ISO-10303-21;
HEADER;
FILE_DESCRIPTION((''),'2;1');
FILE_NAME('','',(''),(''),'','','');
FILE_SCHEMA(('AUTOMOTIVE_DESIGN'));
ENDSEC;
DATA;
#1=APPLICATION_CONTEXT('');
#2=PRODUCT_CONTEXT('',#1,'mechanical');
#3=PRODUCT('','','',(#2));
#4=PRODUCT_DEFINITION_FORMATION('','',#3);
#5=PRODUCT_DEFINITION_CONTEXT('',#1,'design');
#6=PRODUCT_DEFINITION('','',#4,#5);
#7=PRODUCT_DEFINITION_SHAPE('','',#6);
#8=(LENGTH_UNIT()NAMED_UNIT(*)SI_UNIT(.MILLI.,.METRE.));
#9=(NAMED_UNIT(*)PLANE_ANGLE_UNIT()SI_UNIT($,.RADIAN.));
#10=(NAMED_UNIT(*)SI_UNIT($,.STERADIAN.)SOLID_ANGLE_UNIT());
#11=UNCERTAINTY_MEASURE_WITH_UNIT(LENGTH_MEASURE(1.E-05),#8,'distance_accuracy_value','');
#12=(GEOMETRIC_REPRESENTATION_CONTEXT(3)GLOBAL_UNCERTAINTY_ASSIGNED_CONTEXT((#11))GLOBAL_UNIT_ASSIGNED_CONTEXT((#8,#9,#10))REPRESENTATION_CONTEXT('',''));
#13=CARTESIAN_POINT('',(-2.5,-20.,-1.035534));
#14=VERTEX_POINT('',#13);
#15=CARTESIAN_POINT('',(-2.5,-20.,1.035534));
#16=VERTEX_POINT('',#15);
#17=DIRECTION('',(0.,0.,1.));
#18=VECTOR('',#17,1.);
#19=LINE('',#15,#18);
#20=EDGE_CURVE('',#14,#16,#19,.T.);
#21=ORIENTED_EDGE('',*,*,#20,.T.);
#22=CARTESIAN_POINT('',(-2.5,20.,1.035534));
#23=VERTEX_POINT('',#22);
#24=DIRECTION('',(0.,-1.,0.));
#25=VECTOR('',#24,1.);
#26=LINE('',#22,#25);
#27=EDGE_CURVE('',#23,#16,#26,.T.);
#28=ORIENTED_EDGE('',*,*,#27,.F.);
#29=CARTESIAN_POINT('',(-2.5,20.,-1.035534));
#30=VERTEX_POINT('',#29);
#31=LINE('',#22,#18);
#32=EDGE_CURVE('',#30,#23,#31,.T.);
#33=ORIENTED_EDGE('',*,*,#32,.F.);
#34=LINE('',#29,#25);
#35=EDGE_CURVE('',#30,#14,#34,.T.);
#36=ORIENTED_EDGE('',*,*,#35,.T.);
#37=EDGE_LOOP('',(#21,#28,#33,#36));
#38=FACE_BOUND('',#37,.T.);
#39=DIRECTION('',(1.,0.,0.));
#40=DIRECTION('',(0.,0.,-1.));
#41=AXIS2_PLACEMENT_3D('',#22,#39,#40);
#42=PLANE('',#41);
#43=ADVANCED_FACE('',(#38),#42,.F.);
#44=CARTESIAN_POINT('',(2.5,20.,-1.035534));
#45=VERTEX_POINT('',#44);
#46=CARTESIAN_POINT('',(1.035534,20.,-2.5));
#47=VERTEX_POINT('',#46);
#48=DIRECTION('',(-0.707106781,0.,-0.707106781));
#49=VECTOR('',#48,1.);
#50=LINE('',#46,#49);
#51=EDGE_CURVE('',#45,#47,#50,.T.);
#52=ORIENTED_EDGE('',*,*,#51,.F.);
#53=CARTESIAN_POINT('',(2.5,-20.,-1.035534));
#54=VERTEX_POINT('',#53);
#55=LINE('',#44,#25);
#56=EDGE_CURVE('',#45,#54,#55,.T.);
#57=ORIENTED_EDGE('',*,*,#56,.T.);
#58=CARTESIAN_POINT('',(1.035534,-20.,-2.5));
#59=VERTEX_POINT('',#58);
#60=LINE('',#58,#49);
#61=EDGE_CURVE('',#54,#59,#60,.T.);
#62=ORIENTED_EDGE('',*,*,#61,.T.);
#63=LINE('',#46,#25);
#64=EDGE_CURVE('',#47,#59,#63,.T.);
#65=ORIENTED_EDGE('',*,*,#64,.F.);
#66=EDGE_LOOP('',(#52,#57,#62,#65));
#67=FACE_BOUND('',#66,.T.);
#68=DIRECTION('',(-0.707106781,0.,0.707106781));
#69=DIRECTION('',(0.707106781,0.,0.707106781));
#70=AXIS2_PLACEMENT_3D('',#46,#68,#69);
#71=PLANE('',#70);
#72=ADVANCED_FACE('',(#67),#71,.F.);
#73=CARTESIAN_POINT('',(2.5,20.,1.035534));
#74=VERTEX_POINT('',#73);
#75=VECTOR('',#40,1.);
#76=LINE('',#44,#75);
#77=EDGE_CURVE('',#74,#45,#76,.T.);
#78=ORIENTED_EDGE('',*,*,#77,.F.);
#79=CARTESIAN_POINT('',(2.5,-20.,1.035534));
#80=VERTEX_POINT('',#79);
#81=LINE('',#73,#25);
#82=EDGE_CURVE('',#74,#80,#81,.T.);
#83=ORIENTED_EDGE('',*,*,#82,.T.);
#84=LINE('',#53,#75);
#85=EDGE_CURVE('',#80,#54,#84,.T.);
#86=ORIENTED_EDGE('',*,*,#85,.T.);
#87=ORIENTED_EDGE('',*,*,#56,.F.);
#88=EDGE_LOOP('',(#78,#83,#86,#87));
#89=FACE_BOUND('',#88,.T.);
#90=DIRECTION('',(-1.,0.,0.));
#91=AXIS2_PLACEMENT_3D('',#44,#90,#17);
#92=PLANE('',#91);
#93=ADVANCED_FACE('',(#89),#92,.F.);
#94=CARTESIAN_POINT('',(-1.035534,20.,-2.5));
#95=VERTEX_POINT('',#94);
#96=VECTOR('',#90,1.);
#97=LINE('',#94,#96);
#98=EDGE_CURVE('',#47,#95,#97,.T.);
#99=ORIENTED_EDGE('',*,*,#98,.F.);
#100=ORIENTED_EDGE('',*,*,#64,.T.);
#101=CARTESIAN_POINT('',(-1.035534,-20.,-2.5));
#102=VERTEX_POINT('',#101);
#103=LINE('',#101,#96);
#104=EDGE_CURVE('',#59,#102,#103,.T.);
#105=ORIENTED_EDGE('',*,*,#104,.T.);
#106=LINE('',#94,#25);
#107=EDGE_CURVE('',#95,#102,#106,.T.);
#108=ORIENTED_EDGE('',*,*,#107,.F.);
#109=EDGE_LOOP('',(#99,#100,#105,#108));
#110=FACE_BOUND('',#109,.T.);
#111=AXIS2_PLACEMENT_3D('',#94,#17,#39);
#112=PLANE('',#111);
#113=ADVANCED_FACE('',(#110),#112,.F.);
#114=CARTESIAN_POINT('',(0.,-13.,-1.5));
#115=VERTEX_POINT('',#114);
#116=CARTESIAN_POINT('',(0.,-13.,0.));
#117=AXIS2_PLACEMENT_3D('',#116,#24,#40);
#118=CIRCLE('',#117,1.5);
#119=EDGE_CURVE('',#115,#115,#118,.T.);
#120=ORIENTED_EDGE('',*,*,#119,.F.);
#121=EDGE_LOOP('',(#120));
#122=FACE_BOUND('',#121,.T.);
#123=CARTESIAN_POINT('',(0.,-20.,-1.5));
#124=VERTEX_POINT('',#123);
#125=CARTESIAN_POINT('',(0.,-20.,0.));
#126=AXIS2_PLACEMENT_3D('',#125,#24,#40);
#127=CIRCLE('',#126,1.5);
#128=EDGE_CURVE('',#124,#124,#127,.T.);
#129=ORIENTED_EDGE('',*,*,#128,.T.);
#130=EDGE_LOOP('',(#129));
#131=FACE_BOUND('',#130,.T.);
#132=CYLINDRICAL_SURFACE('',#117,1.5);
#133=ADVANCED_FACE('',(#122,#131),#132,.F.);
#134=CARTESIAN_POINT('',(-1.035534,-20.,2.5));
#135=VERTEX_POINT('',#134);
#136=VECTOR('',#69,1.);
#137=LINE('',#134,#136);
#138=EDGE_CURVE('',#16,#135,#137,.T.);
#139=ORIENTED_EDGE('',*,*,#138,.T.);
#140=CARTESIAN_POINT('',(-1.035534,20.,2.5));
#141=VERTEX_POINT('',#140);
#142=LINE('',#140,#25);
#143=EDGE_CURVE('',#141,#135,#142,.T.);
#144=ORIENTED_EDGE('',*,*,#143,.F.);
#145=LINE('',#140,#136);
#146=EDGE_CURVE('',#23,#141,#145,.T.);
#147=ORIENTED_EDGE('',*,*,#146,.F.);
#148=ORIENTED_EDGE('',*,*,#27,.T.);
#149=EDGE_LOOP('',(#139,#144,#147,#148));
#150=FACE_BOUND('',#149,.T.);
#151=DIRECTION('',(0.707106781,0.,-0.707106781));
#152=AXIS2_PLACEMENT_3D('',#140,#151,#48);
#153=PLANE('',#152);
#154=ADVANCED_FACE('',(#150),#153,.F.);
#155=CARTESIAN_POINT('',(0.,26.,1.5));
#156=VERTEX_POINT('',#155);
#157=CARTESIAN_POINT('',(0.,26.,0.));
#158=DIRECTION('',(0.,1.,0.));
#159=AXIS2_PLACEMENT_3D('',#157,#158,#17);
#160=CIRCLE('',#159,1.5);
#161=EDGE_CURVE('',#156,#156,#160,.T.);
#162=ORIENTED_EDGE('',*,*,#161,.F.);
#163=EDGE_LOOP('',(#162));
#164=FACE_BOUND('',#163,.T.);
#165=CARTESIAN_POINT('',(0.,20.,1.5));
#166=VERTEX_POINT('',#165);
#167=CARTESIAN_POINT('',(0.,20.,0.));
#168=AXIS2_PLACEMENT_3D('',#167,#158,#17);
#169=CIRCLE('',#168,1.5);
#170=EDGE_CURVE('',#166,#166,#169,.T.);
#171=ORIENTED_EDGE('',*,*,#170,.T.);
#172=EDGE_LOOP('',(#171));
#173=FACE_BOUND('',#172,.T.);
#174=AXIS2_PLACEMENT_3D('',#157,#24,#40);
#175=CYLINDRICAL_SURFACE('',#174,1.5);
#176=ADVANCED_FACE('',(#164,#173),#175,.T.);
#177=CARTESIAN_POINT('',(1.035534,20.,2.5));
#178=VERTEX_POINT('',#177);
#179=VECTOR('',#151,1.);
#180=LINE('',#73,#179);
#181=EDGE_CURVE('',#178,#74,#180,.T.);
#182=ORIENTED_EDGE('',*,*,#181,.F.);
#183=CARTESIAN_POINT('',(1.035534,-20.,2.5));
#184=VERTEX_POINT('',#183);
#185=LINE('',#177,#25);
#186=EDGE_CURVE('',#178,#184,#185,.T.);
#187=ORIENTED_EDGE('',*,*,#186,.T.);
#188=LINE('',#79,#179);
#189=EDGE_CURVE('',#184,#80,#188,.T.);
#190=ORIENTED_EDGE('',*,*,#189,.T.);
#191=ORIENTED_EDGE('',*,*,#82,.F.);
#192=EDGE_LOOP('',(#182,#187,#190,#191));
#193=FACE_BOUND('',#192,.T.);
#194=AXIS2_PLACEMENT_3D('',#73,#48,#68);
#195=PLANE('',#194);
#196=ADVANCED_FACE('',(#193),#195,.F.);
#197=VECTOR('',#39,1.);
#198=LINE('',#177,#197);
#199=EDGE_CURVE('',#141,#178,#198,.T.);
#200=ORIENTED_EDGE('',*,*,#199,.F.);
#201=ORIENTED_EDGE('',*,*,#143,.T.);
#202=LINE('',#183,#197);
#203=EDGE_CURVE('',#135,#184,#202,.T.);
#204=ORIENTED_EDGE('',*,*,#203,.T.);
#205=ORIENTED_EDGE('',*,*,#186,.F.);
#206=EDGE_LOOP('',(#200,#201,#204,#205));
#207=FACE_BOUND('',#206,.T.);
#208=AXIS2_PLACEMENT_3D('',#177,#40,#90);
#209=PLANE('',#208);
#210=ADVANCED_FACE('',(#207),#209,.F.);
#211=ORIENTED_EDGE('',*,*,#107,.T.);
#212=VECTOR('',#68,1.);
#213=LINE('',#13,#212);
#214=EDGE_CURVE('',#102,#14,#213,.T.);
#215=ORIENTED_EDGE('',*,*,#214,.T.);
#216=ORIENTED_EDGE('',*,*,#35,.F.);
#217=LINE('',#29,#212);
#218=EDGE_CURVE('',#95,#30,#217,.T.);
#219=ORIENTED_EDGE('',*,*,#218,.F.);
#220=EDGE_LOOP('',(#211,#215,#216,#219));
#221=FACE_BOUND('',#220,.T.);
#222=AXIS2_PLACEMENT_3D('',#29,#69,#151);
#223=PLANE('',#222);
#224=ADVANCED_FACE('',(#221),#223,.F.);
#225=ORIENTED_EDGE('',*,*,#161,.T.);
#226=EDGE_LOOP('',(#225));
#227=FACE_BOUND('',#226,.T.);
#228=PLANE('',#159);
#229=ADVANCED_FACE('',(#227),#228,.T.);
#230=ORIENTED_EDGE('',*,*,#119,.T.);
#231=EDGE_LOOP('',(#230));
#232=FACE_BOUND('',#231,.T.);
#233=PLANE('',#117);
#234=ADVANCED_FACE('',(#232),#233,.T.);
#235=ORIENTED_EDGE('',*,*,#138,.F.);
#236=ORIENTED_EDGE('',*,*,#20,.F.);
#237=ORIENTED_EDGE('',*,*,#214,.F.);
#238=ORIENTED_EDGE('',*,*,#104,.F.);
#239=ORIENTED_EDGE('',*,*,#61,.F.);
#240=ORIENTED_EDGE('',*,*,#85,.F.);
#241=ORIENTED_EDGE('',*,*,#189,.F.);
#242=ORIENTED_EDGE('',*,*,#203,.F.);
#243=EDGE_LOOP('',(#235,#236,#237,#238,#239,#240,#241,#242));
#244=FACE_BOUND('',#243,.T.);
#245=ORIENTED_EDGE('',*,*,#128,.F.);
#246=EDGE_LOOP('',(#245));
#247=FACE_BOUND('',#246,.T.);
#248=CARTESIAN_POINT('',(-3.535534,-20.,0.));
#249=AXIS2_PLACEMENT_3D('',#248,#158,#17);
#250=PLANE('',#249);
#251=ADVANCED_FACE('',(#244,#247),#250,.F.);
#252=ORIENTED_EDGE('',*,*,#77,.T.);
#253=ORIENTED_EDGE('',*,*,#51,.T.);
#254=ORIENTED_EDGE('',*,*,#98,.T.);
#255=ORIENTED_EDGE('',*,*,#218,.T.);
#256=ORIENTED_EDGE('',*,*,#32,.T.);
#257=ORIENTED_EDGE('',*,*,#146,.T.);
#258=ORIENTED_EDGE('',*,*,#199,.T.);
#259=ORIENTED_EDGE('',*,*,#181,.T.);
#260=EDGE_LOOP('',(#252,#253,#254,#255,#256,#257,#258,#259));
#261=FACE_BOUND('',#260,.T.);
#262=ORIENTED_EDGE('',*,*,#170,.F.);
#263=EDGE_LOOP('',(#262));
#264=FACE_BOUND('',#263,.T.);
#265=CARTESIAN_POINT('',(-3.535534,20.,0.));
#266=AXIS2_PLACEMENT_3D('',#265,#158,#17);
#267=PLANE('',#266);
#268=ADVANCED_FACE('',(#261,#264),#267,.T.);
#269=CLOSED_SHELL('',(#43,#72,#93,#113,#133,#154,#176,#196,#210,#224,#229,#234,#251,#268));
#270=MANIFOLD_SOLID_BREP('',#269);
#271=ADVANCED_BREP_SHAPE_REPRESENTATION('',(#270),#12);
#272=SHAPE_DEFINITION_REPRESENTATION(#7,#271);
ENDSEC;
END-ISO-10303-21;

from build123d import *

# Parameters (mm, degrees)
EXTRUSION1_DEPTH        = 20
ESQUISSE2_R             = 1.5
EXTRUSION2_DEPTH        = 6
ESQUISSE3_R             = 1.5
ENL_V_MAT_EXTRU_1_DEPTH = 7


with BuildPart() as part:
    # Esquisse1 → Extrusion1 (new, symmetric)
    with BuildSketch(Plane(origin=(0, 0, 0), x_dir=(1, 0, 0), z_dir=(0, 1, 0))):
        Polygon((-1.035533906, 2.5), (1.035533906, 2.5), (2.5, 1.035533906), (2.5, -1.035533906), (1.035533906, -2.5), (-1.035533906, -2.5), (-2.5, -1.035533906), (-2.5, 1.035533906), align=None)
    extrude(amount=EXTRUSION1_DEPTH, both=True)

    # Esquisse2 → Extrusion2 (add)
    with BuildSketch(Plane(origin=(0, 20, 0), x_dir=(1, 0, 0), z_dir=(0, 1, 0))):
        with Locations(Location((0, 0, 0), (0, 0, 270))):
            Circle(ESQUISSE2_R)
    extrude(amount=EXTRUSION2_DEPTH)

    # Esquisse3 → Enlèv. mat.-Extru.1 (cut)
    with BuildSketch(Plane.XZ.offset(20)):
        with Locations(Location((0, 0, 0), (0, 0, 90))):
            Circle(ESQUISSE3_R)
    extrude(amount=-ENL_V_MAT_EXTRU_1_DEPTH, mode=Mode.SUBTRACT)


solid = part.part
